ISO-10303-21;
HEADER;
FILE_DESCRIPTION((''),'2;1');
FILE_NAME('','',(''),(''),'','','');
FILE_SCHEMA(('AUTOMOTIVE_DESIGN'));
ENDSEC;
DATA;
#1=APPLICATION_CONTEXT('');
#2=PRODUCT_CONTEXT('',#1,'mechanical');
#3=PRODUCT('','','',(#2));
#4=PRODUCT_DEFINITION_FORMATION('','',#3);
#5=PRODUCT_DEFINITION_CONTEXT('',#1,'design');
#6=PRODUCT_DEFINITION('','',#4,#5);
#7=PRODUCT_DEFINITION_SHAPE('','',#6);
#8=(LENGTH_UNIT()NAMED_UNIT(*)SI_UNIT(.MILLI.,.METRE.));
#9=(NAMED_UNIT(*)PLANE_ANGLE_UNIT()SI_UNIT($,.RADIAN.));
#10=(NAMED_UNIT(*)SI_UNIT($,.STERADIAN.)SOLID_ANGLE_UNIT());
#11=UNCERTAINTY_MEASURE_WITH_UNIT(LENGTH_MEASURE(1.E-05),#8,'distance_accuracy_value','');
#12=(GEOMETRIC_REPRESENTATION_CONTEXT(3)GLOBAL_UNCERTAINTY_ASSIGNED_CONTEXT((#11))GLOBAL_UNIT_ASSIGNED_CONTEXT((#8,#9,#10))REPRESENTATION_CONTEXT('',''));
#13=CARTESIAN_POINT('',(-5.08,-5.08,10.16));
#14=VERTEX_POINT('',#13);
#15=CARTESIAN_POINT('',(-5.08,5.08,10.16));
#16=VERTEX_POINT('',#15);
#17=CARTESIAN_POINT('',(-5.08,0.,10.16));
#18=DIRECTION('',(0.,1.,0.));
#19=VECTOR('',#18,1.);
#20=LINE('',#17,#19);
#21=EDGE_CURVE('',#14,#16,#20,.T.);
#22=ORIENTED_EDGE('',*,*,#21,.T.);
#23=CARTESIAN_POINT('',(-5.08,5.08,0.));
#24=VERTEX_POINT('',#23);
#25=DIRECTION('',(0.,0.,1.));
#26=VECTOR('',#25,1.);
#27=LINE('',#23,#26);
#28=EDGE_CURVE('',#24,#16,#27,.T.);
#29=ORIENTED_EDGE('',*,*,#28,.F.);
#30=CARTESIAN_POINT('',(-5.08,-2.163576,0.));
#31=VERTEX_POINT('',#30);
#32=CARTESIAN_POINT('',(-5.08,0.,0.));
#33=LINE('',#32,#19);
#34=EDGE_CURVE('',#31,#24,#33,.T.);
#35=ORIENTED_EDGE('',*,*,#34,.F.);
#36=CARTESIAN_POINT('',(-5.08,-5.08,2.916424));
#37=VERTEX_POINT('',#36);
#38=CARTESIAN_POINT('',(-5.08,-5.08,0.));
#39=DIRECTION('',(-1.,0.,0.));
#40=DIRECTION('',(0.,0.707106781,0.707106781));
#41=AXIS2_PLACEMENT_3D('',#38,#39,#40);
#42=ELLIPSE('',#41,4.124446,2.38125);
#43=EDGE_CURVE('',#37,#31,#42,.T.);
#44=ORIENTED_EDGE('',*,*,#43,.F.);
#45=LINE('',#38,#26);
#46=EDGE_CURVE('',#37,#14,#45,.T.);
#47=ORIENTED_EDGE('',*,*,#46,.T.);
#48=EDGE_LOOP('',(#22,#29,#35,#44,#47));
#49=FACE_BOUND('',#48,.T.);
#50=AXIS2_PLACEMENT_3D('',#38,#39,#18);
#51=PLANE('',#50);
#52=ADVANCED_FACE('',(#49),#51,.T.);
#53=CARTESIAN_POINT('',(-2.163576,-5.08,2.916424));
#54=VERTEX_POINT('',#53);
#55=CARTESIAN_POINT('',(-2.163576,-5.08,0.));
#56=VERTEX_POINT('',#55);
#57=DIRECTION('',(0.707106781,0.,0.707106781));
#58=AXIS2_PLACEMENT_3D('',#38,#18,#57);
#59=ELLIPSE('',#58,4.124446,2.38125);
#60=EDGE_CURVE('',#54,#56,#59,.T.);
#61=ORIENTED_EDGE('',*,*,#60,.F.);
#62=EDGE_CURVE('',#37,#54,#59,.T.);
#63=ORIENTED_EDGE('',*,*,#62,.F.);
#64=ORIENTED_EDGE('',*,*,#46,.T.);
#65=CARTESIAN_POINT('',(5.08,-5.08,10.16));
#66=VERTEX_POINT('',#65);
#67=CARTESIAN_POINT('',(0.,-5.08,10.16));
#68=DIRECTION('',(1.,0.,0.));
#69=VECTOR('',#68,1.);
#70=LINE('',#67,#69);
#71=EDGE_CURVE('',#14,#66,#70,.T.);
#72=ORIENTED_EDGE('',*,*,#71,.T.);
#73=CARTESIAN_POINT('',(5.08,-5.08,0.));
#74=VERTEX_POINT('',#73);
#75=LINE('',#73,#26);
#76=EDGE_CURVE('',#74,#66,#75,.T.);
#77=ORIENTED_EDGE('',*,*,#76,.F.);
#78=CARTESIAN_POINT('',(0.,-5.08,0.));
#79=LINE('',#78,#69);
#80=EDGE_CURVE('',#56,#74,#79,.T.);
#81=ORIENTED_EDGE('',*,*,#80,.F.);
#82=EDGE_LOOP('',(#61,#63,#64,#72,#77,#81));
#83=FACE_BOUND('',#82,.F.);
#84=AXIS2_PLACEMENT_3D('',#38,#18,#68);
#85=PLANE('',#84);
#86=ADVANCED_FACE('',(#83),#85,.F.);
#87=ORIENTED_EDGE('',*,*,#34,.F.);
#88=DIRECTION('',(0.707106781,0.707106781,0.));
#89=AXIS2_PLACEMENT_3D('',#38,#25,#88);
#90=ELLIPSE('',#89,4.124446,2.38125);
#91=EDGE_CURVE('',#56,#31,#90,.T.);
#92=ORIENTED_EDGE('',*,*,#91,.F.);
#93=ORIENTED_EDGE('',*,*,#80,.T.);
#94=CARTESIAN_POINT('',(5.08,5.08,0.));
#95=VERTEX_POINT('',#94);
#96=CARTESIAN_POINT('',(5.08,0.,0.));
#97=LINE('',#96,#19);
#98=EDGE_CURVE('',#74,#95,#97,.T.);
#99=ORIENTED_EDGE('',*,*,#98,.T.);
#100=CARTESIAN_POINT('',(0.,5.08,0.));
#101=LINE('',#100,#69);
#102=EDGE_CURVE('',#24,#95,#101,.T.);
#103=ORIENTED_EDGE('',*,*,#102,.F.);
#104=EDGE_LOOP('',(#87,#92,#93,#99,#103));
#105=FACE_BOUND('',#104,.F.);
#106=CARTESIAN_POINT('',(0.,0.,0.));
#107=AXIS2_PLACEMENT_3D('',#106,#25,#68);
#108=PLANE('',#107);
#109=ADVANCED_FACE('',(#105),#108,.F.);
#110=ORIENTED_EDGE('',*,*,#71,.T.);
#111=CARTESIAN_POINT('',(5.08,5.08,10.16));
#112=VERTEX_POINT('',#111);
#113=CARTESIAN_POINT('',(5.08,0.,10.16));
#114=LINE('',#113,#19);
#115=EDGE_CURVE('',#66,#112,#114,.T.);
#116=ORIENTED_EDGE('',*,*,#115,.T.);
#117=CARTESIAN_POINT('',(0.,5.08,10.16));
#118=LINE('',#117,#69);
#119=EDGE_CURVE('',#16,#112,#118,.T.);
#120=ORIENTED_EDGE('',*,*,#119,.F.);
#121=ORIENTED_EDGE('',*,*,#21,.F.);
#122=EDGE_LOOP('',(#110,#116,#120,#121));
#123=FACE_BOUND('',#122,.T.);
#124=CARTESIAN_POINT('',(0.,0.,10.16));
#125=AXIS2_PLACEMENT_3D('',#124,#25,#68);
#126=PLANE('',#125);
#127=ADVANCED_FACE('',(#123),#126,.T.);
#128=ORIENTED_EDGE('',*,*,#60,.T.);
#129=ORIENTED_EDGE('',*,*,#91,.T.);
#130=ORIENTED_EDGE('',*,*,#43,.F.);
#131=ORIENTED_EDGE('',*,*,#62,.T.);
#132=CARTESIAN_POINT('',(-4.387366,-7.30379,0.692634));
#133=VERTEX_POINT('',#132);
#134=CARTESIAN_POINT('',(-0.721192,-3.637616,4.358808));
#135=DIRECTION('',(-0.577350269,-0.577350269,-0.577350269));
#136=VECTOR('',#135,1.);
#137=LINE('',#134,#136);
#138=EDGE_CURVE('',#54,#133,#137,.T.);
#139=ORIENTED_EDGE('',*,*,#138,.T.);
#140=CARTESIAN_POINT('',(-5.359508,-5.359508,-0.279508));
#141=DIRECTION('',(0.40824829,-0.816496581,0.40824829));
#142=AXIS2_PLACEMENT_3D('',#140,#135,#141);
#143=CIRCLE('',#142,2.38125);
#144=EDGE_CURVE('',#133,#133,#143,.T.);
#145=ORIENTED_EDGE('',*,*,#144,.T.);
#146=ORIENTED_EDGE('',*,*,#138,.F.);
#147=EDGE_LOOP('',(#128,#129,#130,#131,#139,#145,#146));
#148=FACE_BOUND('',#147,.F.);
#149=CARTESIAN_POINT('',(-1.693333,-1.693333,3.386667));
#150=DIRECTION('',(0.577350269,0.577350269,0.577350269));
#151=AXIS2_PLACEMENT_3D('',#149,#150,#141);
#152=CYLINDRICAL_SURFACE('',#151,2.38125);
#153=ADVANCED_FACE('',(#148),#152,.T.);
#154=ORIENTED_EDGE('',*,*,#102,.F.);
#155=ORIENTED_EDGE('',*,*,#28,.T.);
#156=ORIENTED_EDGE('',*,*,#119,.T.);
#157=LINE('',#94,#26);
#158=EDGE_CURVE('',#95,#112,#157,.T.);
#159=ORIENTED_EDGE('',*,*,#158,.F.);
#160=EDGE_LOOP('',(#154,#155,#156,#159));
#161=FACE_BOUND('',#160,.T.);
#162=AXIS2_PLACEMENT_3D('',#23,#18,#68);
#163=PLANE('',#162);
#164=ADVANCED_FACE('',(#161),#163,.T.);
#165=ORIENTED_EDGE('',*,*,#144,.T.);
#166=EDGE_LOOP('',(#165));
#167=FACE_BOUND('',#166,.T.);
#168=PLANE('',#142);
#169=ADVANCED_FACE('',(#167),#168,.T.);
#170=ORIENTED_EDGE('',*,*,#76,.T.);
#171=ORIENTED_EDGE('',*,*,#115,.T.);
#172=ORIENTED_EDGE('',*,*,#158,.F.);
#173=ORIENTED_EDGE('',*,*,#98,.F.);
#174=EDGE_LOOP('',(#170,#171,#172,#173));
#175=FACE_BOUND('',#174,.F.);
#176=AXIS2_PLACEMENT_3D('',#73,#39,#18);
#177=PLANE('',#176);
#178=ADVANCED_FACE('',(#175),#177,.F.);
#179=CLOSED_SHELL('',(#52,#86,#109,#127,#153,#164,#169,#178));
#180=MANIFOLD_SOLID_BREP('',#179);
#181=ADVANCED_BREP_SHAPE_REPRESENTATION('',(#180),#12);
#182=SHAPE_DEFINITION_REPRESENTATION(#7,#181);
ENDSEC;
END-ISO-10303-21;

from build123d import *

# Parameters (mm, degrees)
F0_W     = 10.16
F0_H     = 10.16
F1_DEPTH = 10.16
F3_R     = 2.38125
F4_DEPTH = 6.35


with BuildPart() as f1:
    # F0 (on Top) → F1 (new body)
    with BuildSketch(Plane.XY):
        Rectangle(F0_W, F0_H)
    extrude(amount=F1_DEPTH)

    # F3 (on 3pt) → F4 (join)
    with BuildSketch(Plane(origin=(0, 0, 0), x_dir=(0.4082482905, -0.8164965809, 0.4082482905), z_dir=(-0.5773502692, -0.5773502692, -0.5773502692))):
        with Locations((2.0739013156, 3.5921024484)):
            Circle(F3_R)
    extrude(amount=F4_DEPTH)


solid = f1.part
